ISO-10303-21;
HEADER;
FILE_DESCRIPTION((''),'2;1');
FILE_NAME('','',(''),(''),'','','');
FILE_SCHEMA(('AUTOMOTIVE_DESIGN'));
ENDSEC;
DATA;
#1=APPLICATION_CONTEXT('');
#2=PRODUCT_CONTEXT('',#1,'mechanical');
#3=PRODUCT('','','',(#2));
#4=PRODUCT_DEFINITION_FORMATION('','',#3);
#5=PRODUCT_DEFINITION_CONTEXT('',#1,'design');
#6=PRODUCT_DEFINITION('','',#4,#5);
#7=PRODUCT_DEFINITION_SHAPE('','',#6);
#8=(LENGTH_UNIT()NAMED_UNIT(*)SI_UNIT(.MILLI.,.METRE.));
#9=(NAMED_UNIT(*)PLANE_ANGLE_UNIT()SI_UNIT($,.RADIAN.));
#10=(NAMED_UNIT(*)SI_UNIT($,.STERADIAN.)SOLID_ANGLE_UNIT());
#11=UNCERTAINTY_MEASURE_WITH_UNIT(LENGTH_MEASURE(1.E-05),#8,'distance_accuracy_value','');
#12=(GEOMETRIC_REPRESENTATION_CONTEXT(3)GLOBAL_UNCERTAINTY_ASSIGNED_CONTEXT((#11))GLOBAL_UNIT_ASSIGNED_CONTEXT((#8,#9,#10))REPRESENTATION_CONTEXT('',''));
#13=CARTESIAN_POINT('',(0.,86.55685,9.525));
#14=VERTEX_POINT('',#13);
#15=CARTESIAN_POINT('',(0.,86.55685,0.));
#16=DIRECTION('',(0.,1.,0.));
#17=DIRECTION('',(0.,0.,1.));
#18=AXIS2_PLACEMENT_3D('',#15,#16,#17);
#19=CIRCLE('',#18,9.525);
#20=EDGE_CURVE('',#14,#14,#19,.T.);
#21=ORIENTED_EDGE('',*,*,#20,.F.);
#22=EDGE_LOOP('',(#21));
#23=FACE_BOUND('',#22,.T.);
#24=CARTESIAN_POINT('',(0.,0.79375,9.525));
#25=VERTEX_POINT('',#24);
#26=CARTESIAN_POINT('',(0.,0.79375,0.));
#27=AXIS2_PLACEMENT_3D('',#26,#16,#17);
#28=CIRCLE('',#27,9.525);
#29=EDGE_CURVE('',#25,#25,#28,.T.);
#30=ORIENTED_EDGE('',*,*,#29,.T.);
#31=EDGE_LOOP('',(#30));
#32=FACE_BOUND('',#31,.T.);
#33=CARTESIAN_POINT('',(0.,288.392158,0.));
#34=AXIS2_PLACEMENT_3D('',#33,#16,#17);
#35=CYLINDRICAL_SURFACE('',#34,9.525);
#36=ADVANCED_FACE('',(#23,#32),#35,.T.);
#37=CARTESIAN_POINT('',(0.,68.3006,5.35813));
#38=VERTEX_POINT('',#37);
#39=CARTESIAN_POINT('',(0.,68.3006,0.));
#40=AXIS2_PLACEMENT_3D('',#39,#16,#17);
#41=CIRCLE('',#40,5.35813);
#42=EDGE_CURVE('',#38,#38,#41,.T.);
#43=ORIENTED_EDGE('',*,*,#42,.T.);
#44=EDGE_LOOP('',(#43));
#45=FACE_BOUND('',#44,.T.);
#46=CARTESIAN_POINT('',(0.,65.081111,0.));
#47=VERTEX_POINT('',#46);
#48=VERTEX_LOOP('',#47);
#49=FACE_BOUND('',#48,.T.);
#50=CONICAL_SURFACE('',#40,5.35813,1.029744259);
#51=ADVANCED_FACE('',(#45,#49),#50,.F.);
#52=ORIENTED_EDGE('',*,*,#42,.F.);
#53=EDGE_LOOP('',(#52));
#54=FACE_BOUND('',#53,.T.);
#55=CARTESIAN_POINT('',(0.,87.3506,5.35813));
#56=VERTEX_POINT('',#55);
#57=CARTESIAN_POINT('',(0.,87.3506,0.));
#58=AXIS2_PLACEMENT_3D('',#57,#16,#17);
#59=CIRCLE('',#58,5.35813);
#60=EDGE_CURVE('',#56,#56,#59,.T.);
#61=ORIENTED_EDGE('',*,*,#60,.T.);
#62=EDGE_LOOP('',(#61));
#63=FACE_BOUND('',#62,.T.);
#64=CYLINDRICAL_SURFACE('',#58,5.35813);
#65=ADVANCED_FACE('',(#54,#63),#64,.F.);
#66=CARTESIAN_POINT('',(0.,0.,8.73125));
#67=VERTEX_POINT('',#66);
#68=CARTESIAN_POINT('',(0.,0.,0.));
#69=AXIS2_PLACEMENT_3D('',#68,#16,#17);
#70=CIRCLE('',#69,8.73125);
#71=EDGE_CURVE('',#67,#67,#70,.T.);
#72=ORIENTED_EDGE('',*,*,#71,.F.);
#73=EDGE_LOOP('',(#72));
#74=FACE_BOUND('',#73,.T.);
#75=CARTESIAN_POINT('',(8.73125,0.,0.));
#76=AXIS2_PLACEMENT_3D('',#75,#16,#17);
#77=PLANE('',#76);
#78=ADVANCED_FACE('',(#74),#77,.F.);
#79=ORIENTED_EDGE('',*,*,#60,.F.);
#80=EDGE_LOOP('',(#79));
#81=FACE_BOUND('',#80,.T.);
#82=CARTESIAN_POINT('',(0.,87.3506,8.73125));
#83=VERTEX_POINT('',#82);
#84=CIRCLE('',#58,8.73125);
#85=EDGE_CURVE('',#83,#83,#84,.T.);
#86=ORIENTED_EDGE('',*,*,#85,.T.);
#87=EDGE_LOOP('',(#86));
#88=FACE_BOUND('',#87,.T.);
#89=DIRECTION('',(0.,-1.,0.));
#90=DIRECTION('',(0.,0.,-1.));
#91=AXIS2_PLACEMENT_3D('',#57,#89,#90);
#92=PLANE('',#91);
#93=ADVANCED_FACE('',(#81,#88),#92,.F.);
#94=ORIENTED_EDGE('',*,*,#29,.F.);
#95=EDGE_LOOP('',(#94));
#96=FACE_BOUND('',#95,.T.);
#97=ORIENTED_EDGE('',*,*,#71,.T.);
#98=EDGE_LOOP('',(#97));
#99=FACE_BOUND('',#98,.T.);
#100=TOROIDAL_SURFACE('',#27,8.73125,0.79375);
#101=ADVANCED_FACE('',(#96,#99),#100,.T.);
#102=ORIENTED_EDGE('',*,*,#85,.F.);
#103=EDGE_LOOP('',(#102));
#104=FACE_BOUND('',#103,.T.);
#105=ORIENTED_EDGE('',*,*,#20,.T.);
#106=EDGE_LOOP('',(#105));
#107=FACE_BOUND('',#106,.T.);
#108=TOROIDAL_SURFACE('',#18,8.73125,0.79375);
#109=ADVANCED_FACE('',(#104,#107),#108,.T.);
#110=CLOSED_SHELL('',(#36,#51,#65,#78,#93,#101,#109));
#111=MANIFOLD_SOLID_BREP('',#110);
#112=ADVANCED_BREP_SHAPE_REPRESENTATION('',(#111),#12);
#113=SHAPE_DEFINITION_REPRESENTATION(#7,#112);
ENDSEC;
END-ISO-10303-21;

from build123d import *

# Parameters (mm, degrees)
F_1_2_13_TAPPED_HOLE1_D     = 10.71626
F_1_2_13_TAPPED_HOLE1_DEPTH = 19.05
F_1_2_13_TAPPED_HOLE1_TIP   = 3.219489309


with BuildPart() as part:
    # Sketch1 → Revolve1 (revolve)
    with BuildSketch(Plane.XY):
        with BuildLine():
            Line((0, 0), (0, 87.3506))
            Line((0, 87.3506), (8.73125, 87.3506))
            ThreePointArc((8.73125, 87.3506), (9.292516008, 87.118116008), (9.525, 86.55685))
            Line((9.525, 86.55685), (9.525, 0.79375))
            ThreePointArc((9.525, 0.79375), (9.292516008, 0.232483992), (8.73125, 0))
            Line((8.73125, 0), (0, 0))
        make_face()
    revolve(axis=Axis((0, 288.392157732, 0), (0, -1, 0)))

    # 1/2-13 Tapped Hole1
    with Locations(Plane(origin=(0, 87.3506, 0), x_dir=(1, 0, 0), z_dir=(0, 1, 0))):
        with Locations((0, 0)):
            Hole(F_1_2_13_TAPPED_HOLE1_D / 2, depth=F_1_2_13_TAPPED_HOLE1_DEPTH)
            with Locations((0, 0, -(F_1_2_13_TAPPED_HOLE1_DEPTH + F_1_2_13_TAPPED_HOLE1_TIP / 2))):  # 118° drill point
                Cone(0, F_1_2_13_TAPPED_HOLE1_D / 2, F_1_2_13_TAPPED_HOLE1_TIP, mode=Mode.SUBTRACT)


solid = part.part
